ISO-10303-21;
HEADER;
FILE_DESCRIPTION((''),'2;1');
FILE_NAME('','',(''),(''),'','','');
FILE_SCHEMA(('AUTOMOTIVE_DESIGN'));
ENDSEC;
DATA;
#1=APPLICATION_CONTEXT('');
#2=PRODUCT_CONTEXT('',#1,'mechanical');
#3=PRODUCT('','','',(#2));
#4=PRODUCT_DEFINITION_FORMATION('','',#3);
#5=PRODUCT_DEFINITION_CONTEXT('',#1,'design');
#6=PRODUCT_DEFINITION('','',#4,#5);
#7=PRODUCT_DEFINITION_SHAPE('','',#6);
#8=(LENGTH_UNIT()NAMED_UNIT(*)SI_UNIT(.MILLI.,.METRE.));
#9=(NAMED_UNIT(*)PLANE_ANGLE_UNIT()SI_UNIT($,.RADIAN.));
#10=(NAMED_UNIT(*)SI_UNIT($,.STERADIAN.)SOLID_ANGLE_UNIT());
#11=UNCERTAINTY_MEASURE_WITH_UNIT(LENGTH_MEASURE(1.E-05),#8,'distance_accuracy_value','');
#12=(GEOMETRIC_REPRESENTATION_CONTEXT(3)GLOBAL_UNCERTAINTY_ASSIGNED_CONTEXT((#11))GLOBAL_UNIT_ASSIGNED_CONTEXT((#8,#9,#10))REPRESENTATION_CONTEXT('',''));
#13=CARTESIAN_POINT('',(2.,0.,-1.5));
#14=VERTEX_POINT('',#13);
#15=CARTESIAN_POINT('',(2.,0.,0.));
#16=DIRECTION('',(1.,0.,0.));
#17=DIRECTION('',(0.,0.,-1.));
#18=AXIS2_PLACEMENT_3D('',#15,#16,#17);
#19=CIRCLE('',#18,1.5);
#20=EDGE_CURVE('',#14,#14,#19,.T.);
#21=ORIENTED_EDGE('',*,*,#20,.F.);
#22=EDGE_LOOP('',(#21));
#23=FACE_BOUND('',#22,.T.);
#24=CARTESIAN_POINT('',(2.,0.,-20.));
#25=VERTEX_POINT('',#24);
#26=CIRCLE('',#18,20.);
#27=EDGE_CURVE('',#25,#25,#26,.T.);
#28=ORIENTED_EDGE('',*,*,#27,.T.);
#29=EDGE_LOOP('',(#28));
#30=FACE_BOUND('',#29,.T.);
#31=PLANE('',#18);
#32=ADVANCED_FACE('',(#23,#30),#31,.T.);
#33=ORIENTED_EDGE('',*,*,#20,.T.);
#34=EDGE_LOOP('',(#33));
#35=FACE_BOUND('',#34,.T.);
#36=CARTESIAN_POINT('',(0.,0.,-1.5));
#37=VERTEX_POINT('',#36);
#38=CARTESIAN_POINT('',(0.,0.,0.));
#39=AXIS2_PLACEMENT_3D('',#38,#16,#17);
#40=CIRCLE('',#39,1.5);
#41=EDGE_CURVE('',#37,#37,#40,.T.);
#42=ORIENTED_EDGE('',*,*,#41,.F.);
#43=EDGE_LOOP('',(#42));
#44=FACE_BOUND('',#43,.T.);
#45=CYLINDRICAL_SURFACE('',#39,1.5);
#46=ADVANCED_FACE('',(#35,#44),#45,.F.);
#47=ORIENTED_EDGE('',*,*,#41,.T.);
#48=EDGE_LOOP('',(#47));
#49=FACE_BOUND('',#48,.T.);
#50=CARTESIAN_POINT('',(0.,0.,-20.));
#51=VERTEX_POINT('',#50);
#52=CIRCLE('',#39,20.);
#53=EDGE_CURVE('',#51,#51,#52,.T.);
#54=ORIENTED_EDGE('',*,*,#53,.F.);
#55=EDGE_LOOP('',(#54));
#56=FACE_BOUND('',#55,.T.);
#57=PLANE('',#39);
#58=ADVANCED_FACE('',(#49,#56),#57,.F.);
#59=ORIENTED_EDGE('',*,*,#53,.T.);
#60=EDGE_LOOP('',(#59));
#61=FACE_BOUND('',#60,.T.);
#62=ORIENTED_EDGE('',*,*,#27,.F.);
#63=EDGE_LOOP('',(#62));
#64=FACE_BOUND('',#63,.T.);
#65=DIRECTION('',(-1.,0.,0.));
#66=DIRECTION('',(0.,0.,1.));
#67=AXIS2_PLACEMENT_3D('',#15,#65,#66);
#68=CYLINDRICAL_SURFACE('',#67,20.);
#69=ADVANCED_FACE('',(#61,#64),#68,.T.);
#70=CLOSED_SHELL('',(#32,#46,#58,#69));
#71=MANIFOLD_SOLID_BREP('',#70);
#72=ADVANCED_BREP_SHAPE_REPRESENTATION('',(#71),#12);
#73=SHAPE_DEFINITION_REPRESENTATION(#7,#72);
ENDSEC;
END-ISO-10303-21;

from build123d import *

# Parameters (mm, degrees)
SKETCH1_R           = 20
BOSS_EXTRUDE1_DEPTH = 2
SKETCH2_R           = 1.5
CUT_EXTRUDE1_DEPTH  = 3


with BuildPart() as part:
    # Sketch1 → Boss-Extrude1 (new body)
    with BuildSketch(Plane(origin=(0, 0, 0), x_dir=(0, 0, -1), z_dir=(1, 0, 0))):
        Circle(SKETCH1_R)
    extrude(amount=BOSS_EXTRUDE1_DEPTH)

    # Sketch2 → Cut-Extrude1 (cut, through all)
    with BuildSketch(Plane(origin=(2, 0, 0), x_dir=(0, 0, -1), z_dir=(1, 0, 0))):
        Circle(SKETCH2_R)
    extrude(amount=-CUT_EXTRUDE1_DEPTH, mode=Mode.SUBTRACT)


solid = part.part
